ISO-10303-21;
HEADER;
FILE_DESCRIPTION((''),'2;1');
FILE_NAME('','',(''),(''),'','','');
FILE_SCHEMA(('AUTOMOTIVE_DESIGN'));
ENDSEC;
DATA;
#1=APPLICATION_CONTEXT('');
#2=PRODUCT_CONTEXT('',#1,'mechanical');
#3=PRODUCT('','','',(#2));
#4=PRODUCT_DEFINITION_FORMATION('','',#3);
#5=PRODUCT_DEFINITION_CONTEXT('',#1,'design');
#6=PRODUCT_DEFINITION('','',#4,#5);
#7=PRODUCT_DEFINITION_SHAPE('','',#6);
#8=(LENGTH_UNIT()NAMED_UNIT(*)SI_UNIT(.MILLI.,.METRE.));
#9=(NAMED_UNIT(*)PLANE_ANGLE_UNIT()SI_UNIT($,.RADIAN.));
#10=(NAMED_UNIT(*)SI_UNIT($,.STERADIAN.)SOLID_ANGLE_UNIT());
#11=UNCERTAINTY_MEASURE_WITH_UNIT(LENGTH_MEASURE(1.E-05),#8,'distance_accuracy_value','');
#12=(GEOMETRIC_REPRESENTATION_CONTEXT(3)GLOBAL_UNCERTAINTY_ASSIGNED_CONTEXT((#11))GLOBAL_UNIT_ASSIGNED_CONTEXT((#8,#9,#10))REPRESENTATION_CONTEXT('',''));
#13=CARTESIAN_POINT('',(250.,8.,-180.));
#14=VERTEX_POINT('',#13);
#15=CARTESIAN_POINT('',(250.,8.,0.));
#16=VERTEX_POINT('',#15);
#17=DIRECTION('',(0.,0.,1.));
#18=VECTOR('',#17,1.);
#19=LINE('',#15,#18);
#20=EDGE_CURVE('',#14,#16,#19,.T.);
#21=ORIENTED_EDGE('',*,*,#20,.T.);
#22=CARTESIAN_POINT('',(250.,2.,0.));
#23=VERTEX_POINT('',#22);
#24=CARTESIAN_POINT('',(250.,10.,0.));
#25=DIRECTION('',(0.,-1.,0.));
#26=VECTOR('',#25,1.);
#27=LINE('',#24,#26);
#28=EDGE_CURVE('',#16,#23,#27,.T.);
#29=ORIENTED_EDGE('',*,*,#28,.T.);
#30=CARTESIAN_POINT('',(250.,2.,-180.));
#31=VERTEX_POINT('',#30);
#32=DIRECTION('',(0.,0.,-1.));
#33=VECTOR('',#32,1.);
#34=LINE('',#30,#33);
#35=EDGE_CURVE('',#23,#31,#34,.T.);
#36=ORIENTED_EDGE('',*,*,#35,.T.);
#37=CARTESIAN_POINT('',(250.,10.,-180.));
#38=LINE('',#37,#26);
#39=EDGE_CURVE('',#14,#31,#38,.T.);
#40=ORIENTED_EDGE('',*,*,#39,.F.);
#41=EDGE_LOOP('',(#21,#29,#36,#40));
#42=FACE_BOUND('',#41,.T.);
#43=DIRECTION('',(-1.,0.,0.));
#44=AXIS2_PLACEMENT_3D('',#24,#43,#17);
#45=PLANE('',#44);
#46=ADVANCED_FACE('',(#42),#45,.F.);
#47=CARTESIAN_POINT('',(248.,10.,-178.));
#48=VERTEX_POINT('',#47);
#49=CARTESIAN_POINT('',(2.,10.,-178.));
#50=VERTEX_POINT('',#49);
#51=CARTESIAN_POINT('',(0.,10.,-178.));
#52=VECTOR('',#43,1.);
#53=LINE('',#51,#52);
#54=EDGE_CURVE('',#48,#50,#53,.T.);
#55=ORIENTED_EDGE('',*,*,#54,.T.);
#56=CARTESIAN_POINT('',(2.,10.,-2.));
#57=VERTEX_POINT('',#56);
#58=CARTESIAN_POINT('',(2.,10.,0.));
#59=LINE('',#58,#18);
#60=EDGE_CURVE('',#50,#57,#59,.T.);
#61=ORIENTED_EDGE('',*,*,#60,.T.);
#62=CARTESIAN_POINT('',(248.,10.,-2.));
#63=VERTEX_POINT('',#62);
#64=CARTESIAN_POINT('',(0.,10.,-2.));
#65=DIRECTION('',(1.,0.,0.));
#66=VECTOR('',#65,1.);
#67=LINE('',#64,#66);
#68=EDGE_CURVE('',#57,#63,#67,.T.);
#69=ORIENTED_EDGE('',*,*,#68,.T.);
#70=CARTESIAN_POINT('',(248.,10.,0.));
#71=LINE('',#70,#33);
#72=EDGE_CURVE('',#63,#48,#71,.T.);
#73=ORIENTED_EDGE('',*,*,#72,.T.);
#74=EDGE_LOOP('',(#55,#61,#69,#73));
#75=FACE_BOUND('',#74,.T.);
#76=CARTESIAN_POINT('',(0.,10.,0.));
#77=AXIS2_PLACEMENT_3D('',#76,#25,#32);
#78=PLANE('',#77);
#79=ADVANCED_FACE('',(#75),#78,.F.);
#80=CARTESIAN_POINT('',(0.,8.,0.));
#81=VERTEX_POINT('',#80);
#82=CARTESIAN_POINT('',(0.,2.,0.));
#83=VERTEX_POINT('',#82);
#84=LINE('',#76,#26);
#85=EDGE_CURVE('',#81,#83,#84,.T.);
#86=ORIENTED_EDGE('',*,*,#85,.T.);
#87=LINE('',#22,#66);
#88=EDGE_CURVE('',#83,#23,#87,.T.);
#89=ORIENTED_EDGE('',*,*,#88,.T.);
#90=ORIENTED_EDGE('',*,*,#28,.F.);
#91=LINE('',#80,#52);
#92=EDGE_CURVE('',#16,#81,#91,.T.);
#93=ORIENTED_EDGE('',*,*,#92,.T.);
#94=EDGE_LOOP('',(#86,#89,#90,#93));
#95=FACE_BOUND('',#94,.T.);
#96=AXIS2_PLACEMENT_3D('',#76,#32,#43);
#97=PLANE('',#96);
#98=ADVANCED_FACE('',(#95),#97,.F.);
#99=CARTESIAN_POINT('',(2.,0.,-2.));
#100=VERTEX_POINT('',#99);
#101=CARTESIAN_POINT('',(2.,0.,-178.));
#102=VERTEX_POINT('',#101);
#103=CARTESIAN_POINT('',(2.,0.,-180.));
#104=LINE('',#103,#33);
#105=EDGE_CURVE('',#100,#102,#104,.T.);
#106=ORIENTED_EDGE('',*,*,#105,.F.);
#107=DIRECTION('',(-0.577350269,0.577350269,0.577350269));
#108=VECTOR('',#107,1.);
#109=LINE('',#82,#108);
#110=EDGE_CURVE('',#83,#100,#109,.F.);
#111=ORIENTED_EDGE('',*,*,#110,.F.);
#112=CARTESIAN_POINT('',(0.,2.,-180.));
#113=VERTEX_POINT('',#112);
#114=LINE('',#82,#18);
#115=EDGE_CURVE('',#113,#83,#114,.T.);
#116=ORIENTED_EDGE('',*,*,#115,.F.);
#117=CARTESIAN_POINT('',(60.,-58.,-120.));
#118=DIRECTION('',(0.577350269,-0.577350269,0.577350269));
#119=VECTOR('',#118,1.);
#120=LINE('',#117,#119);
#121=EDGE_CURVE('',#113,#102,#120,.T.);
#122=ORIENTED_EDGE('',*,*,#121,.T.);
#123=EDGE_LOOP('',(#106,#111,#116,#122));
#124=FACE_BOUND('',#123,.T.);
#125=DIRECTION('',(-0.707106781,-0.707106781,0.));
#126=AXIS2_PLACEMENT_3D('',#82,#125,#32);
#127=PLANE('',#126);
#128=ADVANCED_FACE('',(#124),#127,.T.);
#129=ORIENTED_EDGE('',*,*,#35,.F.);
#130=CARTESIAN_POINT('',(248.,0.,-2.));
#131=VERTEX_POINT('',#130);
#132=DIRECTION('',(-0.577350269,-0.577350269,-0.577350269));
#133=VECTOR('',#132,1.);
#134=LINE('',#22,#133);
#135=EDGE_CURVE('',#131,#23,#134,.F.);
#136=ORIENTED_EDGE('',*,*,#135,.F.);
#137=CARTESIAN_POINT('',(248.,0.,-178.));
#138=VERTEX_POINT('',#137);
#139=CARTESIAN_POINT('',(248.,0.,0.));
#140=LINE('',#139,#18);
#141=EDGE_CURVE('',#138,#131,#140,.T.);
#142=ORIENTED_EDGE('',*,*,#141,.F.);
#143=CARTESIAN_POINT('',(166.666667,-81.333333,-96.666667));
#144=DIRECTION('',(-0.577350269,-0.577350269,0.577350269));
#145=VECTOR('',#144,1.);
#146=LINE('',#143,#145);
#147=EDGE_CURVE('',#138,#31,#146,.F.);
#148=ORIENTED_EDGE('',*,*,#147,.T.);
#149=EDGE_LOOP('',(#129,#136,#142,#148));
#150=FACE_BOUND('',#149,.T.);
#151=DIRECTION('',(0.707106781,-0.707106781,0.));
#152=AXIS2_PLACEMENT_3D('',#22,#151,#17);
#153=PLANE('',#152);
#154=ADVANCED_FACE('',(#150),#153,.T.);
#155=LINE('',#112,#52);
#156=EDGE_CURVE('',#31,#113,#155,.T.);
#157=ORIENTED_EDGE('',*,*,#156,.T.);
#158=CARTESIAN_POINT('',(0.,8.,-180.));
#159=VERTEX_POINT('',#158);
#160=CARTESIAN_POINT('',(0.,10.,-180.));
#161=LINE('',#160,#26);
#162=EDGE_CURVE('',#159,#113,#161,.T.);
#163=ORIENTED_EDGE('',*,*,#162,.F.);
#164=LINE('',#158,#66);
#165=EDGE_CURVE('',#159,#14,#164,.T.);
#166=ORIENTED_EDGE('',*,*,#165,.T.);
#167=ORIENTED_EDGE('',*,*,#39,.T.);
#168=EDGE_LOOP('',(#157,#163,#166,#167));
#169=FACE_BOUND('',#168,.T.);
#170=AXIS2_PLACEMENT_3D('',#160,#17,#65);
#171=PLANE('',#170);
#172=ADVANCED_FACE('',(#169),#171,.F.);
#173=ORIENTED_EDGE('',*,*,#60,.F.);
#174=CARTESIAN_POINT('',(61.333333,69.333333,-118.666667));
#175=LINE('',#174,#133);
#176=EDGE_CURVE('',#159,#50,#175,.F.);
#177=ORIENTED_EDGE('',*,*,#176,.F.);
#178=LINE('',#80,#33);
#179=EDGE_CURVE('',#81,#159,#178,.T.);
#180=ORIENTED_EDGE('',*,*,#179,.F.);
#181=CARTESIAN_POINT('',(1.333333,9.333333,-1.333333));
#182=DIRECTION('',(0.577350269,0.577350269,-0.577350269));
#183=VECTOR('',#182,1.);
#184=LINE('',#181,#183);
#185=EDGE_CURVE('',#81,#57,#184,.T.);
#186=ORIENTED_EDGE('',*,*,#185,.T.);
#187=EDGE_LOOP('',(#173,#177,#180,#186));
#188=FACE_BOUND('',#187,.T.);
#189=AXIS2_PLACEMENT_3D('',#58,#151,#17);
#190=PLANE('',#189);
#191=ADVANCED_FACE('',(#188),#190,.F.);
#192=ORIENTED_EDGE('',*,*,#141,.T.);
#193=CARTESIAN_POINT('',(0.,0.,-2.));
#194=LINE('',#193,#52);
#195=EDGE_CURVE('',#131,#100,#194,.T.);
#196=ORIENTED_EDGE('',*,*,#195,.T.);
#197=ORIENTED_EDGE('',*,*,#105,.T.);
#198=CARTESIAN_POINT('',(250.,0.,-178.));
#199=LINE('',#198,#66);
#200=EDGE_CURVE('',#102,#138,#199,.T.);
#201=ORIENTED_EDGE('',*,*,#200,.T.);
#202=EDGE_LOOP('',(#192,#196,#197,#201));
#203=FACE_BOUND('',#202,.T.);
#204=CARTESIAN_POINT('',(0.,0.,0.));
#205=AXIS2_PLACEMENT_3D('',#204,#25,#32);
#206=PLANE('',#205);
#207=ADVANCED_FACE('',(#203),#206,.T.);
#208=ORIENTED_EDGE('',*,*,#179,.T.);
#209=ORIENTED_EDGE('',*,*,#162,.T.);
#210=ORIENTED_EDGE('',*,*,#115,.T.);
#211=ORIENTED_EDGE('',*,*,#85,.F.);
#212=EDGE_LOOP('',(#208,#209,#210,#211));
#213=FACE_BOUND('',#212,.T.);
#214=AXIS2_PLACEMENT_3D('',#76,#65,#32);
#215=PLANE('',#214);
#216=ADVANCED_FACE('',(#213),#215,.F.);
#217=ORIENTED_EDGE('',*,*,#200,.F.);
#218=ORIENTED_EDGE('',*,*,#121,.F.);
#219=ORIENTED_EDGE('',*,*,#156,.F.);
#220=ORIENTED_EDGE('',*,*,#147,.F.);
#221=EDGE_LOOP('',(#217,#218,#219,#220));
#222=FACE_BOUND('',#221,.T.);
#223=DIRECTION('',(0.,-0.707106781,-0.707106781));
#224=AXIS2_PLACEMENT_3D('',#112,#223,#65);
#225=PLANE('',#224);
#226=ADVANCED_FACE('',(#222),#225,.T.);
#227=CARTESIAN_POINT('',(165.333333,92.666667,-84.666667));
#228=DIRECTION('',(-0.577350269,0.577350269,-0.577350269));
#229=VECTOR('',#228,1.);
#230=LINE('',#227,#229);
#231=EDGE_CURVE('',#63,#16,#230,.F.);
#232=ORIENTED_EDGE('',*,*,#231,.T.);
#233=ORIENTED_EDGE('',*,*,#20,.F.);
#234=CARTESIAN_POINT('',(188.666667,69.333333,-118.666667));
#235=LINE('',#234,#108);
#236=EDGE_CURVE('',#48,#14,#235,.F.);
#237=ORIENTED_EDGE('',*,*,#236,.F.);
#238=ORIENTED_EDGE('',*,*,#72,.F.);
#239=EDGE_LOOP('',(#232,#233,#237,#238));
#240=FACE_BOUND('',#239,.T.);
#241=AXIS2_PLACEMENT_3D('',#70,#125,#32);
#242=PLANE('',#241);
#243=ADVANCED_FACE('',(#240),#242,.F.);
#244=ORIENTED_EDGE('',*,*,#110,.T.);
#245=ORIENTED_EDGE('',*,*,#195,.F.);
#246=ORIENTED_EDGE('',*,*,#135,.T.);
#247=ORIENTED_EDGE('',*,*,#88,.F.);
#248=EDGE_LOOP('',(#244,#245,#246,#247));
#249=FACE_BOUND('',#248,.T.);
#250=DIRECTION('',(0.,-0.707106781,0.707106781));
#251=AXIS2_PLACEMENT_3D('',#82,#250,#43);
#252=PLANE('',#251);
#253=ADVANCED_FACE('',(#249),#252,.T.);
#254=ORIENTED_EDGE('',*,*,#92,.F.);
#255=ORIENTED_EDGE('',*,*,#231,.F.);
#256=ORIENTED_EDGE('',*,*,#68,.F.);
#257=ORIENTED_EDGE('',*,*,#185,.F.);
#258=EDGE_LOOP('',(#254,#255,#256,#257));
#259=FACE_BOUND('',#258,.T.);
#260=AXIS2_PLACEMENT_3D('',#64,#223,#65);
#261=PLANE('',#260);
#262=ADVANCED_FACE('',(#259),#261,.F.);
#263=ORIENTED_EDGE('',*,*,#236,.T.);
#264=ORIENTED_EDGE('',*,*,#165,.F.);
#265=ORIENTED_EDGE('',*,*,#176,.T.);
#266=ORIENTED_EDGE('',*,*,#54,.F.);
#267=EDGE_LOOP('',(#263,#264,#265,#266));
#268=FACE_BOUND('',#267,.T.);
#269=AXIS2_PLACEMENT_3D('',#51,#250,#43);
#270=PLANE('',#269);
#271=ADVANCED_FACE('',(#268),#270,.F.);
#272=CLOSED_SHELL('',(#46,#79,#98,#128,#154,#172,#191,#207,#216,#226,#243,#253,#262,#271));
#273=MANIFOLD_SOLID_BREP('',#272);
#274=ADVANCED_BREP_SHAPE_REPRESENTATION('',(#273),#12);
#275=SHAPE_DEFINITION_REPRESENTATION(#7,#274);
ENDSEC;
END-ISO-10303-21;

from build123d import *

# Parameters (mm, degrees)
SKETCH1_W           = 250
SKETCH1_H           = 180
BOSS_EXTRUDE1_DEPTH = 10
CHAMFER1_SIZE       = 2


with BuildPart() as part:
    # Sketch1 → Boss-Extrude1 (new body)
    with BuildSketch(Plane(origin=(0, 0, 0), x_dir=(1, 0, 0), z_dir=(0, 1, 0))):
        with Locations((125, 90)):
            Rectangle(SKETCH1_W, SKETCH1_H)
    extrude(amount=BOSS_EXTRUDE1_DEPTH)

    # Chamfer1
    chamfer1_edges = [part.edges().sort_by_distance(p)[0] for p in [
        (250, 10, -90),
        (125, 10, -180),
        (0, 10, -90),
        (125, 0, -180),
        (250, 0, -90),
        (125, 0, 0),
        (0, 0, -90),
        (125, 10, 0),
    ]]
    chamfer(chamfer1_edges, length=CHAMFER1_SIZE)


solid = part.part
